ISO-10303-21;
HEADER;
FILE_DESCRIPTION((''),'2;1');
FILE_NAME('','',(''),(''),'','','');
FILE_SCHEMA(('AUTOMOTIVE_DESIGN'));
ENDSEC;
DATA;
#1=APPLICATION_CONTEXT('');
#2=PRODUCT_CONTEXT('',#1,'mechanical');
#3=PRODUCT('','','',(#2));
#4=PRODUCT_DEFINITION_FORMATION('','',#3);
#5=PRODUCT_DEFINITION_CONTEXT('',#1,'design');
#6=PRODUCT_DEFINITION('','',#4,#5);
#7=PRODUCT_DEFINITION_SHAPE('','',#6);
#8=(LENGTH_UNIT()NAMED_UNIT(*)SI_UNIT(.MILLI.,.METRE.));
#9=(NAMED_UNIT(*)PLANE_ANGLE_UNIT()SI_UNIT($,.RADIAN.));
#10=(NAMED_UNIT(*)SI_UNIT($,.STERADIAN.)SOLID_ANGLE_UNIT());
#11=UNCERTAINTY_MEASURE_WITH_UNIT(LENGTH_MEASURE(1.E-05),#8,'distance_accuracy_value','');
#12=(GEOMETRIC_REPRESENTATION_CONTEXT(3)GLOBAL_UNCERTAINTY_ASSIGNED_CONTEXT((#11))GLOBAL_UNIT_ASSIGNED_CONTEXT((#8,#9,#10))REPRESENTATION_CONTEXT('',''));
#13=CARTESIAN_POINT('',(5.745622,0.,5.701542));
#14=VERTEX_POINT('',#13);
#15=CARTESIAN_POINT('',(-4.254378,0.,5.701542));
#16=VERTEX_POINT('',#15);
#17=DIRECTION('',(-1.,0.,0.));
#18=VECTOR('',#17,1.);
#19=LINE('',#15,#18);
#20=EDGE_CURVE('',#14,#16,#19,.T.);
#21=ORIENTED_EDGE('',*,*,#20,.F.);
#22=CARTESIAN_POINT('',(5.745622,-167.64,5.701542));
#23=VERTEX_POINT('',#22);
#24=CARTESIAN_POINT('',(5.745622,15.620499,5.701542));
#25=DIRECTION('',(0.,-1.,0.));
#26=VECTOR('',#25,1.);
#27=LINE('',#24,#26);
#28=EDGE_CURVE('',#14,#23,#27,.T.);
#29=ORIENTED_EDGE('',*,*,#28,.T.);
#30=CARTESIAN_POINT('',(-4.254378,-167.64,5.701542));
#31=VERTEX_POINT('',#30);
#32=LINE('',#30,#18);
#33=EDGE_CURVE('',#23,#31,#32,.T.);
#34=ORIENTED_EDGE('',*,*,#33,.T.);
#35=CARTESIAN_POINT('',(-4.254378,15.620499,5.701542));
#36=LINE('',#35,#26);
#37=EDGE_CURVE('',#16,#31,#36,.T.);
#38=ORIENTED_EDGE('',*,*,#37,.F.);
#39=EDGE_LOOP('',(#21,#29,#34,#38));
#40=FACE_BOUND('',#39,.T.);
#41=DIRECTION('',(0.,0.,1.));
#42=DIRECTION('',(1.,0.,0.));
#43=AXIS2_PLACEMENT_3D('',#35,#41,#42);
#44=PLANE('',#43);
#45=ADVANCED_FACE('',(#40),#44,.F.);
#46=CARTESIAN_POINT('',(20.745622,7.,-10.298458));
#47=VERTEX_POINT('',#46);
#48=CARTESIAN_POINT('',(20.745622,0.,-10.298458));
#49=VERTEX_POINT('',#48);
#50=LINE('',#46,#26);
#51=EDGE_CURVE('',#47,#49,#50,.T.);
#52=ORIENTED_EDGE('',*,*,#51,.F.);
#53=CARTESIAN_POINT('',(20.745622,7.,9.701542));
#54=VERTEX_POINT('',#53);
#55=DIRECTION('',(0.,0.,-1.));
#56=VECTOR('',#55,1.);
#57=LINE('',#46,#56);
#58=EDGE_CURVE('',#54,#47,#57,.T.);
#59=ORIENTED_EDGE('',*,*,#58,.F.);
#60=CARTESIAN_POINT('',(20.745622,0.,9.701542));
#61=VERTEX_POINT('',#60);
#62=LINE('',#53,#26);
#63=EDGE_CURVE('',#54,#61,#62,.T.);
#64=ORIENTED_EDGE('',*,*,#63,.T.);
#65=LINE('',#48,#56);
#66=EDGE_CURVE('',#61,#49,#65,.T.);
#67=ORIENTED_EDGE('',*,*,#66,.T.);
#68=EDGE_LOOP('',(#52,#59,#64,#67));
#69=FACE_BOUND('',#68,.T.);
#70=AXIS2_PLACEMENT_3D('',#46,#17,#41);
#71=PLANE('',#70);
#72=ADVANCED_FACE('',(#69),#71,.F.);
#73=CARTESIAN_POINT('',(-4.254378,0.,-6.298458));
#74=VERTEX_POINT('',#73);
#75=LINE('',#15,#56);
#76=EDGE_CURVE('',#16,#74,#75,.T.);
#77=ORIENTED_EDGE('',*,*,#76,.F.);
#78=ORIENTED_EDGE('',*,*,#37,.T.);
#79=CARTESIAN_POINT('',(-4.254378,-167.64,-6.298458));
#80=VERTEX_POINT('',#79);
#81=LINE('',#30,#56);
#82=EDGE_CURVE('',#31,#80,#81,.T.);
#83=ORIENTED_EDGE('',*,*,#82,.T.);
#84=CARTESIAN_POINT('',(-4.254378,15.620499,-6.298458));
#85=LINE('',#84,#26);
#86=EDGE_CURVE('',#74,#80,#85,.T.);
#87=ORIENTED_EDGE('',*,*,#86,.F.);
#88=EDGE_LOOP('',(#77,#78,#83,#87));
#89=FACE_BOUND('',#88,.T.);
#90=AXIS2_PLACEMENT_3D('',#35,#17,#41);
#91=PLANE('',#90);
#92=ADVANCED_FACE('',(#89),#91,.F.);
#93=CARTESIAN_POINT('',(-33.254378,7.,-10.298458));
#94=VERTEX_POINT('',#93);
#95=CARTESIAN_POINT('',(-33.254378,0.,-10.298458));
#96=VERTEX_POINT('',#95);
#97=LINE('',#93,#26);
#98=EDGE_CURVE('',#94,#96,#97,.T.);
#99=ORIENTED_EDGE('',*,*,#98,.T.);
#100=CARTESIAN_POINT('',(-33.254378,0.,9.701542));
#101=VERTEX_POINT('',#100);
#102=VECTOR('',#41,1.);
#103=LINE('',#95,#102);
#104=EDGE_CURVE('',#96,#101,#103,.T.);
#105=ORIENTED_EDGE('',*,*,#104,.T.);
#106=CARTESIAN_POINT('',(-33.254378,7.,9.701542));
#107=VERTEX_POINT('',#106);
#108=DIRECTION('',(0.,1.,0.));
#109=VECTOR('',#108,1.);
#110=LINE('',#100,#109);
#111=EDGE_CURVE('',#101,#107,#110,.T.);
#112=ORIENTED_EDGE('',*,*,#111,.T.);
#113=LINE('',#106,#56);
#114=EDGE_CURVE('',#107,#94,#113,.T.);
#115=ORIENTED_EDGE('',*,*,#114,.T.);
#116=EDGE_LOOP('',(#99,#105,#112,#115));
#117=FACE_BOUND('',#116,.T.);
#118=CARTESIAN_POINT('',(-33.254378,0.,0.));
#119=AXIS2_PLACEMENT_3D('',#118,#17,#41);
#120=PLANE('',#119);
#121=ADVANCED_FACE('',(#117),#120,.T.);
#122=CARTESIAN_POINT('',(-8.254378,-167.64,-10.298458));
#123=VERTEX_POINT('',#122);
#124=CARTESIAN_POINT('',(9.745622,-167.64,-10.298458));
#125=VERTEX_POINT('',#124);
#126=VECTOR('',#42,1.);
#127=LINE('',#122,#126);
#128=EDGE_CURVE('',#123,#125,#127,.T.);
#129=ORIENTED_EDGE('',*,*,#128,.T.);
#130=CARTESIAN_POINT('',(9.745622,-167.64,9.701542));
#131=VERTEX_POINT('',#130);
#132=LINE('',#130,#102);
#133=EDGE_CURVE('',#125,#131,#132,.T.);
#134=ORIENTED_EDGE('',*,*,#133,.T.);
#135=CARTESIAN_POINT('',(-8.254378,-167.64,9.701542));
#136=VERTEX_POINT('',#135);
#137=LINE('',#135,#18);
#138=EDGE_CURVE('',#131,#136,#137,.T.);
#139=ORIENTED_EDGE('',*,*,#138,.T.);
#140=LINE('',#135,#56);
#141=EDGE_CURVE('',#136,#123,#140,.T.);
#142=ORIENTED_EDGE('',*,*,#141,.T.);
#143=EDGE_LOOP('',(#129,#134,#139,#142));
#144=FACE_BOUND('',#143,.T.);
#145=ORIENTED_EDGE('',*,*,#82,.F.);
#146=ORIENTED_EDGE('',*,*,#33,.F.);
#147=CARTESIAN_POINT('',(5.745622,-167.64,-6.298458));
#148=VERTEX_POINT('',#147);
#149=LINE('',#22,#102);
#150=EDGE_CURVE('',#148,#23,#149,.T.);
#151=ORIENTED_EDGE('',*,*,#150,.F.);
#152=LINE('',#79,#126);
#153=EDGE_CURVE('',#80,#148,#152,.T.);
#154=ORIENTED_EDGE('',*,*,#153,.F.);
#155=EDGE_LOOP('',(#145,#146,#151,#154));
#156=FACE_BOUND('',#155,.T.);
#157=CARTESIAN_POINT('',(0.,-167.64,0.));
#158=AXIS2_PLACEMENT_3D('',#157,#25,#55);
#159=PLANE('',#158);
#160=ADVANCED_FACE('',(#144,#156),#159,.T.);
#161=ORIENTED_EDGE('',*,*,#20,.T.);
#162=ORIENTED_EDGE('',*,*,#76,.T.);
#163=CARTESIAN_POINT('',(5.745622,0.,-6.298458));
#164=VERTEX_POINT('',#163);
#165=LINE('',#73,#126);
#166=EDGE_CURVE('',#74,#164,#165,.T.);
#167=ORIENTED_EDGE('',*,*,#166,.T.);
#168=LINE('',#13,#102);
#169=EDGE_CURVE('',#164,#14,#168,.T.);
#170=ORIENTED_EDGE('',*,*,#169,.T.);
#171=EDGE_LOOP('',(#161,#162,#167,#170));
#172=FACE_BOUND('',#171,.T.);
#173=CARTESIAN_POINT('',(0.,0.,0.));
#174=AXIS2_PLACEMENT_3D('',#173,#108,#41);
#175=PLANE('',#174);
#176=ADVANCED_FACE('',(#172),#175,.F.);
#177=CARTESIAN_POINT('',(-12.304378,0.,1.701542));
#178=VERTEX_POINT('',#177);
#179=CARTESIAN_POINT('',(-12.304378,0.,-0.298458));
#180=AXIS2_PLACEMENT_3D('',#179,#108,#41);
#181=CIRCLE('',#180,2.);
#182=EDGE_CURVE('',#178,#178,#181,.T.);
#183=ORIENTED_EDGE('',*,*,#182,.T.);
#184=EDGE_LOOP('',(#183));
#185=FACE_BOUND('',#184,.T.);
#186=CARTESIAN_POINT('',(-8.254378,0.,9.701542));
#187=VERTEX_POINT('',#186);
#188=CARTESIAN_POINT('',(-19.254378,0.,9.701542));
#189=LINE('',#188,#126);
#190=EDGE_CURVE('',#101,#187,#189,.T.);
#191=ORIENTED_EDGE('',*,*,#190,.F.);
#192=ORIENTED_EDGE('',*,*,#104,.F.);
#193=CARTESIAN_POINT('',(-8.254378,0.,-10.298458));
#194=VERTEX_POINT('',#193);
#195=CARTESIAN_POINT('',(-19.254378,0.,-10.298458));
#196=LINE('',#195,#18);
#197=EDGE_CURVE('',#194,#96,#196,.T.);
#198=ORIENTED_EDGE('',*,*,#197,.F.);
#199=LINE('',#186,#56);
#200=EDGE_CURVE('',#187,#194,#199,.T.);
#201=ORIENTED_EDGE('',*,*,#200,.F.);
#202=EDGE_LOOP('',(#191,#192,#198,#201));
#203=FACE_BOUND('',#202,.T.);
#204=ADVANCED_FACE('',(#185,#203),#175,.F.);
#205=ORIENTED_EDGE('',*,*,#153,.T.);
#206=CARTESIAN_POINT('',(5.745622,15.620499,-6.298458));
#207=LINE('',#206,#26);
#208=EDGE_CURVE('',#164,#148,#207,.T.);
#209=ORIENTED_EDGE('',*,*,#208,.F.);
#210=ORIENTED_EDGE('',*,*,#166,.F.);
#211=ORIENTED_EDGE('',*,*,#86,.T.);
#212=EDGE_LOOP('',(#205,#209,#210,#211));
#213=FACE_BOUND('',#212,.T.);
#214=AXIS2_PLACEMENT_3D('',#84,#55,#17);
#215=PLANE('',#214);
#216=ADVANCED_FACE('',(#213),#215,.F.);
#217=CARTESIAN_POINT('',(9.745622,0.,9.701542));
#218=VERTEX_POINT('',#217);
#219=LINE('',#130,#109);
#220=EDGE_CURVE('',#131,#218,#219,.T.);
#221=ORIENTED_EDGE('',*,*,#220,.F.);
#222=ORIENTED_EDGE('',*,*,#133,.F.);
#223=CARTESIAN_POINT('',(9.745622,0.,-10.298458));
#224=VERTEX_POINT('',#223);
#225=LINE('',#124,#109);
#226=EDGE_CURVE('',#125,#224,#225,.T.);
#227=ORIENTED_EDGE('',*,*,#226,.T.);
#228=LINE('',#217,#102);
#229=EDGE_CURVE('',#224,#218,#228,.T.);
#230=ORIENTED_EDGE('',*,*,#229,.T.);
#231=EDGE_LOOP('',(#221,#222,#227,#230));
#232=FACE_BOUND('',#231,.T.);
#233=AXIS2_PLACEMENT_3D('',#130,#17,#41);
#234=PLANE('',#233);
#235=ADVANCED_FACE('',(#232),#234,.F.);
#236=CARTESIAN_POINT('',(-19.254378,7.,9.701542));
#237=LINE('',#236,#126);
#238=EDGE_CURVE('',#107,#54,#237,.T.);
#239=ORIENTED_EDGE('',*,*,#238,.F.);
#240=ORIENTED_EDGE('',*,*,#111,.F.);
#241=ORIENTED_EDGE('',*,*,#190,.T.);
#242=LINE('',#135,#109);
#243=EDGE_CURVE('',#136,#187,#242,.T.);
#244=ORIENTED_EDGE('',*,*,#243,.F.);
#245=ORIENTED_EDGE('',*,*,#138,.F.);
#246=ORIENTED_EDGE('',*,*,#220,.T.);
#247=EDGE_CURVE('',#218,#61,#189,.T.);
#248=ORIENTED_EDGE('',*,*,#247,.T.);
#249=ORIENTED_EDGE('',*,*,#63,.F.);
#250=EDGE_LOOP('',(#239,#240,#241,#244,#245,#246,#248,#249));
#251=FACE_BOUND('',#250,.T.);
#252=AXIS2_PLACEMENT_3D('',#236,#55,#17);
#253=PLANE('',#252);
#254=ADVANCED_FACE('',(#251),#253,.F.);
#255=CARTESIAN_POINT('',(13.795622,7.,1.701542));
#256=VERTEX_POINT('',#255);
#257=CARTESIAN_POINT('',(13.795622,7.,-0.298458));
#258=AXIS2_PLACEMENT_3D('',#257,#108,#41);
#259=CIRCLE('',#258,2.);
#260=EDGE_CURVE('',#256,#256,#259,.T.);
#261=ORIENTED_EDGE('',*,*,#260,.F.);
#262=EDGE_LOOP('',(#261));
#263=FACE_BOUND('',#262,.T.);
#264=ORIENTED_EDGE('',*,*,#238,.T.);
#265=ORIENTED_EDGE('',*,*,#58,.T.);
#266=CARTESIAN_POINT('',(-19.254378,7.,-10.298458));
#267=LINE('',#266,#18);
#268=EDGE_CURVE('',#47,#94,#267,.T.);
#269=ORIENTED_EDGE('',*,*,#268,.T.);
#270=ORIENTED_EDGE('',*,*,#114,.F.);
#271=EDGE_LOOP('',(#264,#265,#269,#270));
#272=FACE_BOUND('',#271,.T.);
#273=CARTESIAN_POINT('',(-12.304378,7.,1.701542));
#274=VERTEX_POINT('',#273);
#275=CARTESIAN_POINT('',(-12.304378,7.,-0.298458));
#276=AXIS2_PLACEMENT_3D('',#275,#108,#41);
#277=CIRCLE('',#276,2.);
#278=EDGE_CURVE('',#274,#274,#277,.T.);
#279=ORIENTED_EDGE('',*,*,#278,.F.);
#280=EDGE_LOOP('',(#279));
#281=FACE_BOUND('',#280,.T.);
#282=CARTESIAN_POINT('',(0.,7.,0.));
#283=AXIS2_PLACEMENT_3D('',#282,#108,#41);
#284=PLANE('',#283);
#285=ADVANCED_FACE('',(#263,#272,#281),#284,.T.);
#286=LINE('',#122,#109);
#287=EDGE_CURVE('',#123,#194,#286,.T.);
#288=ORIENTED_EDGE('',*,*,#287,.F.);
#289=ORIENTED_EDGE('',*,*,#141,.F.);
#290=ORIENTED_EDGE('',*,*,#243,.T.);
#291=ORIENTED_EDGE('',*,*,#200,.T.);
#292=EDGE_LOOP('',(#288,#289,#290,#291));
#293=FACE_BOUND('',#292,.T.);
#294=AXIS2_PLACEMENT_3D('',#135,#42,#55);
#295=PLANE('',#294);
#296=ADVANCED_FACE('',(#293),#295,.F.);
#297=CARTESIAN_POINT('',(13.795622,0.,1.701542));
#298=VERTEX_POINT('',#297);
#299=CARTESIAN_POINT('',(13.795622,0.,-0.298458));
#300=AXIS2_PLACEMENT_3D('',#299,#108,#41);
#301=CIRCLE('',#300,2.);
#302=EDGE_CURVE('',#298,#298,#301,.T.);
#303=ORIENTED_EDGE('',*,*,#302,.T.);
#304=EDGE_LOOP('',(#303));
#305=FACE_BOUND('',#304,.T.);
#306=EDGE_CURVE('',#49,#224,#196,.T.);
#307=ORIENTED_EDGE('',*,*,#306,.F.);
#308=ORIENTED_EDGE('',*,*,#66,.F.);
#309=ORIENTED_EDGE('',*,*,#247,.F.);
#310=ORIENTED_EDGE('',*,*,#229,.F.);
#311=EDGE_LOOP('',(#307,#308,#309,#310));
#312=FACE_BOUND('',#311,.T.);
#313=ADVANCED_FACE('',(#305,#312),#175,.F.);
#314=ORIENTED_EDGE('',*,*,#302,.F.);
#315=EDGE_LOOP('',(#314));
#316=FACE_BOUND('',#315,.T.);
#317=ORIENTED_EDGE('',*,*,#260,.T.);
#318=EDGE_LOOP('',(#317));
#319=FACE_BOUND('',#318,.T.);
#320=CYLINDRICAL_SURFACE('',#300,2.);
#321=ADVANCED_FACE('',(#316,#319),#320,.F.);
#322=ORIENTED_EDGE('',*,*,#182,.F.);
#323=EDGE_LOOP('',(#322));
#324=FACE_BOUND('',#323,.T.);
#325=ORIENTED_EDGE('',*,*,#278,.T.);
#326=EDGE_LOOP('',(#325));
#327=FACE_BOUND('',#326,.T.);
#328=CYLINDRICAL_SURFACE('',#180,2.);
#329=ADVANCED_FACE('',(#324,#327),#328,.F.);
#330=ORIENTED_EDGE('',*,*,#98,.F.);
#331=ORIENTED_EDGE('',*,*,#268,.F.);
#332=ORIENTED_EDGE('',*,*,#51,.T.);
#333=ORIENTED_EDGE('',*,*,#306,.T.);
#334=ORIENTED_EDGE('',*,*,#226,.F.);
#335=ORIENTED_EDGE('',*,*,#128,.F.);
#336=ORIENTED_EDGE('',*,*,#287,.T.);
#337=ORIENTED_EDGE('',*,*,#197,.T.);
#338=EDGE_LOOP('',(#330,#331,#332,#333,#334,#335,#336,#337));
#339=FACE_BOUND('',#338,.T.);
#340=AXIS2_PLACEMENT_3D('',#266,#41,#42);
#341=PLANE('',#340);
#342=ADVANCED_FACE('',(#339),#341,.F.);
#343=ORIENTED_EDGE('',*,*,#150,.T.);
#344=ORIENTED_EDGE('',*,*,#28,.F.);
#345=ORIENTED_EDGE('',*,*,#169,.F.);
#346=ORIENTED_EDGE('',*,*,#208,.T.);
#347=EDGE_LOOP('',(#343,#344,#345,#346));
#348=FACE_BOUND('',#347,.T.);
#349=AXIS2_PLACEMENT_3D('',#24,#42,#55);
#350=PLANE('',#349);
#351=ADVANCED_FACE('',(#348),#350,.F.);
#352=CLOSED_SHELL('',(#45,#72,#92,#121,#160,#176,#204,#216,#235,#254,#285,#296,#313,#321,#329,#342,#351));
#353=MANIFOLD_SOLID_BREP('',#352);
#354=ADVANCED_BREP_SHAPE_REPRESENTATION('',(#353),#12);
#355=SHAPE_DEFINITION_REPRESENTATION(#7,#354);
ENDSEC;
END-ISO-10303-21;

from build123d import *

# Parameters (mm, degrees)
SKETCH1_W           = 40
SKETCH1_H           = 20
BOSS_EXTRUDE1_DEPTH = 7
SKETCH2_R           = 2
CUT_EXTRUDE1_DEPTH  = 25.19584861
SKETCH3_W           = 18
SKETCH3_H           = 20
BOSS_EXTRUDE2_DEPTH = 167.64
SKETCH4_W           = 10
SKETCH4_H           = 12
CUT_EXTRUDE2_DEPTH  = 167.64
SKETCH7_W           = 20
SKETCH7_H           = 7
BOSS_EXTRUDE3_DEPTH = 14


with BuildPart() as part:
    # Sketch1 → Boss-Extrude1 (new body)
    with BuildSketch(Plane(origin=(0, 0, 0), x_dir=(1, 0, 0), z_dir=(0, 1, 0))):
        with Locations((0.745622296, 0.298458403)):
            Rectangle(SKETCH1_W, SKETCH1_H)
    extrude(amount=BOSS_EXTRUDE1_DEPTH)

    # Sketch2 → Cut-Extrude1 (cut, through all)
    with BuildSketch(Plane(origin=(0, 7, 0), x_dir=(1, 0, 0), z_dir=(0, 1, 0))):
        with Locations(Location((-12.304377704, 0.298458403, 0), (0, 0, 270))):
            Circle(SKETCH2_R)
        with Locations(Location((13.795622296, 0.298458403, 0), (0, 0, 270))):
            Circle(SKETCH2_R)
    extrude(amount=-CUT_EXTRUDE1_DEPTH, mode=Mode.SUBTRACT)

    # Sketch3 → Boss-Extrude2 (add)
    with BuildSketch(Plane(origin=(0, 0, 0), x_dir=(-1, 0, 0), z_dir=(0, -1, 0))):
        with Locations((-0.745622296, 0.298458403)):
            Rectangle(SKETCH3_W, SKETCH3_H)
    extrude(amount=BOSS_EXTRUDE2_DEPTH)

    # Sketch4 → Cut-Extrude2 (cut)
    with BuildSketch(Plane.XZ.offset(167.64)):
        with Locations((0.745622296, -0.298458403)):
            Rectangle(SKETCH4_W, SKETCH4_H)
    extrude(amount=-CUT_EXTRUDE2_DEPTH, mode=Mode.SUBTRACT)

    # Sketch7 → Boss-Extrude3 (add)
    with BuildSketch(Plane.ZY.offset(19.254377704)):
        with Locations((-0.298458403, 3.5)):
            Rectangle(SKETCH7_W, SKETCH7_H)
    extrude(amount=BOSS_EXTRUDE3_DEPTH)


solid = part.part
